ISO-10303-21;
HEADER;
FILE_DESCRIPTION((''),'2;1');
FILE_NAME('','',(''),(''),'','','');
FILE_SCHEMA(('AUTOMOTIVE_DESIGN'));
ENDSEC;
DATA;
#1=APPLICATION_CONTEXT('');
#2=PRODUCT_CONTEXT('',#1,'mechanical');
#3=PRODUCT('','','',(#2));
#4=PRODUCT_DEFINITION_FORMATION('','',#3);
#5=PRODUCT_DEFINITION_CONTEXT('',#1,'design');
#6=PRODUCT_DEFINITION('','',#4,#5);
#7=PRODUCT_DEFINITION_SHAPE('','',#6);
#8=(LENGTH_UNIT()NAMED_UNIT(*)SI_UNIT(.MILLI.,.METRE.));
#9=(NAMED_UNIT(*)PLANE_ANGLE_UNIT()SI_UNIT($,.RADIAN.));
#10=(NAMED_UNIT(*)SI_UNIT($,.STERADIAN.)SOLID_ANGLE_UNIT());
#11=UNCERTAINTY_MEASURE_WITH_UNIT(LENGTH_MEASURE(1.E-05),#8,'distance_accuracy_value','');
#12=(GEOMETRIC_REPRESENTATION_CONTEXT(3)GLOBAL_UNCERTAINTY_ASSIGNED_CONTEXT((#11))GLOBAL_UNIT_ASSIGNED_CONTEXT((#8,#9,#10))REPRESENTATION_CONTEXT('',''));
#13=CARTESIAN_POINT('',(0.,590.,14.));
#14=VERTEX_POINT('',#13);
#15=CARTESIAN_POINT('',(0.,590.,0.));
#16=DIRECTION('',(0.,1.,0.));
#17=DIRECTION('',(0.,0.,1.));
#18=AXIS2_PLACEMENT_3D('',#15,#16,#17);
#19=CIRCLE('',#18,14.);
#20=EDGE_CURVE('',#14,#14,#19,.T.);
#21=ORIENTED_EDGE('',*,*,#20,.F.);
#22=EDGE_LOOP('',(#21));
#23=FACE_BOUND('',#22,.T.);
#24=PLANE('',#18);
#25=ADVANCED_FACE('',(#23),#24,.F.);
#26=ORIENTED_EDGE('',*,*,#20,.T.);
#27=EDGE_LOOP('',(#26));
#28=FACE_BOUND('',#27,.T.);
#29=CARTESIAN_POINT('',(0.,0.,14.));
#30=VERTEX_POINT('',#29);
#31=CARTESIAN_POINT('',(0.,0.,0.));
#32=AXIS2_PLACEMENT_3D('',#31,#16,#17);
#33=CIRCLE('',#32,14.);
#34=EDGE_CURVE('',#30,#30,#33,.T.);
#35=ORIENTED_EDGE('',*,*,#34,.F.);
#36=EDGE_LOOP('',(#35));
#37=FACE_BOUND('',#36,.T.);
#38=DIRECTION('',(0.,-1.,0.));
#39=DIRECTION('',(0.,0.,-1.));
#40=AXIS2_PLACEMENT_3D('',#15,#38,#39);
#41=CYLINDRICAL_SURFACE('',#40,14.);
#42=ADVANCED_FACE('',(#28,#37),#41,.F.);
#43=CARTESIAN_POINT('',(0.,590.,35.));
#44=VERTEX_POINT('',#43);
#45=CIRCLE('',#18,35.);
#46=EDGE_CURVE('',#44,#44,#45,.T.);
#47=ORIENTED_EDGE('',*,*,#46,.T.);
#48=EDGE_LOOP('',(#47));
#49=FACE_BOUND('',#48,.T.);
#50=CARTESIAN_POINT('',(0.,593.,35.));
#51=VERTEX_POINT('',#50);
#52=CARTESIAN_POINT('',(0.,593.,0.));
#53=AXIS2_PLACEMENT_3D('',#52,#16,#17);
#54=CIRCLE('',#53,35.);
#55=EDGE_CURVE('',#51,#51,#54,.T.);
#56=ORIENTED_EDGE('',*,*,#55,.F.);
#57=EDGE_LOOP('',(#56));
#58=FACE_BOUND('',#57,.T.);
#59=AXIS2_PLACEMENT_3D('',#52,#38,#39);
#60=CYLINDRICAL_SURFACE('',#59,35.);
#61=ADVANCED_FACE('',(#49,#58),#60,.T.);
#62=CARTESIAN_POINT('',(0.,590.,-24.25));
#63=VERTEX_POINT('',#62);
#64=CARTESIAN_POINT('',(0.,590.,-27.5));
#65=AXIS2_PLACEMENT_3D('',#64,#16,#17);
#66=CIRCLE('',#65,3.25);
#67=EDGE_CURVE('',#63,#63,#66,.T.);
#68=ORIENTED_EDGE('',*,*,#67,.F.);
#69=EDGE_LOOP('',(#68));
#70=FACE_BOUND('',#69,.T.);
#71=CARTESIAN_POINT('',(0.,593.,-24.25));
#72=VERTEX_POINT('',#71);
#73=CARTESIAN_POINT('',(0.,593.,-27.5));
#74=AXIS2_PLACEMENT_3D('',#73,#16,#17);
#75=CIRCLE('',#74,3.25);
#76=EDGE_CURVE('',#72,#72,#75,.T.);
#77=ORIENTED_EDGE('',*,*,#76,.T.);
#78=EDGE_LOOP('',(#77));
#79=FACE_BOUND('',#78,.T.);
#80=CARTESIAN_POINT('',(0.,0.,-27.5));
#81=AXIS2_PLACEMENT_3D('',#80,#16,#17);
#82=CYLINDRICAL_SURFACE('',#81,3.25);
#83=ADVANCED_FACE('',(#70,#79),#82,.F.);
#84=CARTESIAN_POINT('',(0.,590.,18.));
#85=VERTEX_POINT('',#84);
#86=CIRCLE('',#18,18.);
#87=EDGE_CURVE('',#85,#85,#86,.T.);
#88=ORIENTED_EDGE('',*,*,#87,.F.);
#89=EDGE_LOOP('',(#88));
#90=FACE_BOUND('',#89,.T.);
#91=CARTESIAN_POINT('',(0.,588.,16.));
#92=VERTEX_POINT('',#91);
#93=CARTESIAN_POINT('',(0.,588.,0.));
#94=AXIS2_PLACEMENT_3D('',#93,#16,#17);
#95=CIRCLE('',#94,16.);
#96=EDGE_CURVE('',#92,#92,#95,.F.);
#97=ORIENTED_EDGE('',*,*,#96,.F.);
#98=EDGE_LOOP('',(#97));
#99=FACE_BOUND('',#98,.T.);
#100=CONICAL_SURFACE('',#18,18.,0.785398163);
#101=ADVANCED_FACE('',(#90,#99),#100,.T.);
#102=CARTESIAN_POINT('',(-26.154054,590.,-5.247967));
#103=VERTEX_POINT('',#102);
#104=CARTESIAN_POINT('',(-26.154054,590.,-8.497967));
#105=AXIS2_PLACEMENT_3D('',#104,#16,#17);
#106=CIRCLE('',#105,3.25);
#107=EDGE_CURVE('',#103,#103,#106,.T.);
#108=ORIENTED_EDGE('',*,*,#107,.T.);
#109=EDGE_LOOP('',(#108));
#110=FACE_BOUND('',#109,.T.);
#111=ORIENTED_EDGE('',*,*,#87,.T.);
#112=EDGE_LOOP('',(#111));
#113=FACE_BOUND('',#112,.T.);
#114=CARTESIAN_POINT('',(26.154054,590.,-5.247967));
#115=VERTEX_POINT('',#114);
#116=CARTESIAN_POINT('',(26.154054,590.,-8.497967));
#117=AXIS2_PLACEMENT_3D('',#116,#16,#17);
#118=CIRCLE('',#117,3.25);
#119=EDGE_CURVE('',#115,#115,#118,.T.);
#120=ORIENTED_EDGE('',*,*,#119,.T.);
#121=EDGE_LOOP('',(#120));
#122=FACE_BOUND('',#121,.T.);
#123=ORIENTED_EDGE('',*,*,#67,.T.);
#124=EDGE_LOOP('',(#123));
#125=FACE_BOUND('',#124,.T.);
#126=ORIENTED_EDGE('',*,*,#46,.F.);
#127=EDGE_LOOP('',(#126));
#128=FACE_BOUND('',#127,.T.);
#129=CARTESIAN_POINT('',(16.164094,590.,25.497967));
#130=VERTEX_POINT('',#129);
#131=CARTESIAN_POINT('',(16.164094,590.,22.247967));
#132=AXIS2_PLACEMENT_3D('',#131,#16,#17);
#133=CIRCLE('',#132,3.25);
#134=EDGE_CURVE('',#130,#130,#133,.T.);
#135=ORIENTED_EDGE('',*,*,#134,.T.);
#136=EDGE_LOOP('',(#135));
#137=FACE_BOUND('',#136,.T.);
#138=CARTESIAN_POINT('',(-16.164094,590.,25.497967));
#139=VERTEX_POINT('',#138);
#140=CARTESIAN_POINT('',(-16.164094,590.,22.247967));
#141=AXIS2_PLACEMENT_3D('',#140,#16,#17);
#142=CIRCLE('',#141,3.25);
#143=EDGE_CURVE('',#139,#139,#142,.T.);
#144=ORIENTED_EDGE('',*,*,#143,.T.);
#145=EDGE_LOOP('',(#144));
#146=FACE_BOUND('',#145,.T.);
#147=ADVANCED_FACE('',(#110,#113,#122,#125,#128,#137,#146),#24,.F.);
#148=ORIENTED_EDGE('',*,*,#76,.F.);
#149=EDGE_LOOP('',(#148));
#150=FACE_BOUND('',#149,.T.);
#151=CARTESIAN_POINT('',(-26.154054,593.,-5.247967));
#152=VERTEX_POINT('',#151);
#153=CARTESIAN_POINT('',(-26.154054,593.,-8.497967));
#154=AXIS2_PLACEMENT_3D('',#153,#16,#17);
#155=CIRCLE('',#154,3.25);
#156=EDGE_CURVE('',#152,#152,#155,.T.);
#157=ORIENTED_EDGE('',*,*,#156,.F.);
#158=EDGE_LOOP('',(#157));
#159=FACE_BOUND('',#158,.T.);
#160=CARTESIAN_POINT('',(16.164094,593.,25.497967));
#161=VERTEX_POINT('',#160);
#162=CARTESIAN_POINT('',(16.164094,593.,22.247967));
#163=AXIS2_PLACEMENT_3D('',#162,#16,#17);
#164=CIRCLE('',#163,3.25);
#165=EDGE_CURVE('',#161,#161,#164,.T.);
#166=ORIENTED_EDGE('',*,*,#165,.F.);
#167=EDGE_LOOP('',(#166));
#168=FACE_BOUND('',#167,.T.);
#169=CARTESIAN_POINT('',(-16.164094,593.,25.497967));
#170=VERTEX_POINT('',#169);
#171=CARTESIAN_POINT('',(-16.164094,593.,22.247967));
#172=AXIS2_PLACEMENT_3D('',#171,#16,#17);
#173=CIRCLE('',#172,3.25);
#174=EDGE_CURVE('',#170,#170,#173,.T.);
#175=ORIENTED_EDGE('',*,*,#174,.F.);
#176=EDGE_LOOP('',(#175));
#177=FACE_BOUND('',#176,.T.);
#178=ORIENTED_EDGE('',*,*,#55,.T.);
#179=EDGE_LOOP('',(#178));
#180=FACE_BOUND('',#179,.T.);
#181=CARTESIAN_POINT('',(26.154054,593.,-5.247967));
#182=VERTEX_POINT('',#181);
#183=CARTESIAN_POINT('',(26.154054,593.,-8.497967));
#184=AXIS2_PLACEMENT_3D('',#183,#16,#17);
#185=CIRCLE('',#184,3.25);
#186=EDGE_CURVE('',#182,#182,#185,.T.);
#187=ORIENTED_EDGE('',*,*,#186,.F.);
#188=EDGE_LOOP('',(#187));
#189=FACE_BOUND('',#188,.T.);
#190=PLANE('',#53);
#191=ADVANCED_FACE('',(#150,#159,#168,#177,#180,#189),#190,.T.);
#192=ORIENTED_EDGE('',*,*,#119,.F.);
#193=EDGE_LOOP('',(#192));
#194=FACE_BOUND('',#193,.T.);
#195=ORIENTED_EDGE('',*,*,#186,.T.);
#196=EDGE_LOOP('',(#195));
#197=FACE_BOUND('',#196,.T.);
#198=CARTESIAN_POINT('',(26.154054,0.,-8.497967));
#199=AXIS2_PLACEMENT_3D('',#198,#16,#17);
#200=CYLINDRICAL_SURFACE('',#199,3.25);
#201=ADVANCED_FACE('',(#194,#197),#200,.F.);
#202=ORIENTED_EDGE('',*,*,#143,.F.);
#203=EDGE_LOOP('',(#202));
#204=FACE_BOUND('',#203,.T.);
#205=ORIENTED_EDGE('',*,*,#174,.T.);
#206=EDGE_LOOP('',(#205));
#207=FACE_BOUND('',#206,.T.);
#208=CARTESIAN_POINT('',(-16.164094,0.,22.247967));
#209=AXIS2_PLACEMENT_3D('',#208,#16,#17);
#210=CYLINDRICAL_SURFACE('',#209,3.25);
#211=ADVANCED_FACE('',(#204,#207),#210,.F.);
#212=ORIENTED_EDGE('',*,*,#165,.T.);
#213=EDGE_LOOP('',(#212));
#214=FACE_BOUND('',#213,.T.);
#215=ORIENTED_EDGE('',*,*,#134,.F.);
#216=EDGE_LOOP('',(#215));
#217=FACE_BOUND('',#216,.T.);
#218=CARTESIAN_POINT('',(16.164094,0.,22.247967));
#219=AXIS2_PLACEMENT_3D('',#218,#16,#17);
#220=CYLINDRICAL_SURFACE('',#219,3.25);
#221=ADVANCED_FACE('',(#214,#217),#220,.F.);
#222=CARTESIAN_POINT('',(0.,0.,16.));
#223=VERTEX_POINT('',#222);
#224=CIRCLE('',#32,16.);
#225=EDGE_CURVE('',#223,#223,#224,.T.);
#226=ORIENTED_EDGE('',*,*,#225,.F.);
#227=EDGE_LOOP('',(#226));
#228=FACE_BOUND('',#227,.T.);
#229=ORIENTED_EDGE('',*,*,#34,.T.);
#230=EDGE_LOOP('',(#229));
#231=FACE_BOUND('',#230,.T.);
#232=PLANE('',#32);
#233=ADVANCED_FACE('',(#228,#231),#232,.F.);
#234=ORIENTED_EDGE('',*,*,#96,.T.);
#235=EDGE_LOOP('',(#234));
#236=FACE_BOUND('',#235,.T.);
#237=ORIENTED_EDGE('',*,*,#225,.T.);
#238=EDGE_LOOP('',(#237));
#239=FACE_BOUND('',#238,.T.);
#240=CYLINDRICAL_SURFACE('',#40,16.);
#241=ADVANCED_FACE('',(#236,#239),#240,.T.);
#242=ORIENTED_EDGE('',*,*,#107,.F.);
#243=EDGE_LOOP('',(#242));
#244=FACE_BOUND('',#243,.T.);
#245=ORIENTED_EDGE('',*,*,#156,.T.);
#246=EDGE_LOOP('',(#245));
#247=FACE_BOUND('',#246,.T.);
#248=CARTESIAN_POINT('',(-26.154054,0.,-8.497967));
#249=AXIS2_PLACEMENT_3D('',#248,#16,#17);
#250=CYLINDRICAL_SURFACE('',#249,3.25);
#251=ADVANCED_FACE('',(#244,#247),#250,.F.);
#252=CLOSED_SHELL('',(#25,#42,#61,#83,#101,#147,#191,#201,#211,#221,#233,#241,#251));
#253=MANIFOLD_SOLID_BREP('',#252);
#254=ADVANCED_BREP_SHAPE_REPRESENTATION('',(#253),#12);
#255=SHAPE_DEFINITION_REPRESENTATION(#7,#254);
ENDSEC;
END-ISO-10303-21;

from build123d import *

# Parameters (mm, degrees)
SKETCH1_R           = 16
SKETCH1_R_2         = 14
BOSS_EXTRUDE1_DEPTH = 590
SKETCH2_R           = 35
BOSS_EXTRUDE2_DEPTH = 3
CHAMFER1_SIZE       = 2
SKETCH4_R           = 3.25
CUT_EXTRUDE2_DEPTH  = 594


with BuildPart() as part:
    # Sketch1 → Boss-Extrude1 (new body)
    with BuildSketch(Plane(origin=(0, 0, 0), x_dir=(1, 0, 0), z_dir=(0, 1, 0))):
        Circle(SKETCH1_R)
        Circle(SKETCH1_R_2, mode=Mode.SUBTRACT)
    extrude(amount=BOSS_EXTRUDE1_DEPTH)

    # Sketch2 → Boss-Extrude2 (add)
    with BuildSketch(Plane(origin=(0, 590, 0), x_dir=(1, 0, 0), z_dir=(0, 1, 0))):
        Circle(SKETCH2_R)
    extrude(amount=BOSS_EXTRUDE2_DEPTH)

    # Chamfer1
    chamfer1_edges = [part.edges().sort_by_distance(p)[0] for p in [
        (-16, 590, 0),
    ]]
    chamfer(chamfer1_edges, length=CHAMFER1_SIZE)

    # Sketch4 → Cut-Extrude2 (cut, through all)
    with BuildSketch(Plane(origin=(0, 593, 0), x_dir=(1, 0, 0), z_dir=(0, 1, 0))):
        with Locations((0, 27.5)):
            Circle(SKETCH4_R)
        with Locations((26.154054198, 8.497967345)):
            Circle(SKETCH4_R)
        with Locations((16.164094438, -22.247967345)):
            Circle(SKETCH4_R)
        with Locations((-16.164094438, -22.247967345)):
            Circle(SKETCH4_R)
        with Locations((-26.154054198, 8.497967345)):
            Circle(SKETCH4_R)
    extrude(amount=-CUT_EXTRUDE2_DEPTH, mode=Mode.SUBTRACT)


solid = part.part
